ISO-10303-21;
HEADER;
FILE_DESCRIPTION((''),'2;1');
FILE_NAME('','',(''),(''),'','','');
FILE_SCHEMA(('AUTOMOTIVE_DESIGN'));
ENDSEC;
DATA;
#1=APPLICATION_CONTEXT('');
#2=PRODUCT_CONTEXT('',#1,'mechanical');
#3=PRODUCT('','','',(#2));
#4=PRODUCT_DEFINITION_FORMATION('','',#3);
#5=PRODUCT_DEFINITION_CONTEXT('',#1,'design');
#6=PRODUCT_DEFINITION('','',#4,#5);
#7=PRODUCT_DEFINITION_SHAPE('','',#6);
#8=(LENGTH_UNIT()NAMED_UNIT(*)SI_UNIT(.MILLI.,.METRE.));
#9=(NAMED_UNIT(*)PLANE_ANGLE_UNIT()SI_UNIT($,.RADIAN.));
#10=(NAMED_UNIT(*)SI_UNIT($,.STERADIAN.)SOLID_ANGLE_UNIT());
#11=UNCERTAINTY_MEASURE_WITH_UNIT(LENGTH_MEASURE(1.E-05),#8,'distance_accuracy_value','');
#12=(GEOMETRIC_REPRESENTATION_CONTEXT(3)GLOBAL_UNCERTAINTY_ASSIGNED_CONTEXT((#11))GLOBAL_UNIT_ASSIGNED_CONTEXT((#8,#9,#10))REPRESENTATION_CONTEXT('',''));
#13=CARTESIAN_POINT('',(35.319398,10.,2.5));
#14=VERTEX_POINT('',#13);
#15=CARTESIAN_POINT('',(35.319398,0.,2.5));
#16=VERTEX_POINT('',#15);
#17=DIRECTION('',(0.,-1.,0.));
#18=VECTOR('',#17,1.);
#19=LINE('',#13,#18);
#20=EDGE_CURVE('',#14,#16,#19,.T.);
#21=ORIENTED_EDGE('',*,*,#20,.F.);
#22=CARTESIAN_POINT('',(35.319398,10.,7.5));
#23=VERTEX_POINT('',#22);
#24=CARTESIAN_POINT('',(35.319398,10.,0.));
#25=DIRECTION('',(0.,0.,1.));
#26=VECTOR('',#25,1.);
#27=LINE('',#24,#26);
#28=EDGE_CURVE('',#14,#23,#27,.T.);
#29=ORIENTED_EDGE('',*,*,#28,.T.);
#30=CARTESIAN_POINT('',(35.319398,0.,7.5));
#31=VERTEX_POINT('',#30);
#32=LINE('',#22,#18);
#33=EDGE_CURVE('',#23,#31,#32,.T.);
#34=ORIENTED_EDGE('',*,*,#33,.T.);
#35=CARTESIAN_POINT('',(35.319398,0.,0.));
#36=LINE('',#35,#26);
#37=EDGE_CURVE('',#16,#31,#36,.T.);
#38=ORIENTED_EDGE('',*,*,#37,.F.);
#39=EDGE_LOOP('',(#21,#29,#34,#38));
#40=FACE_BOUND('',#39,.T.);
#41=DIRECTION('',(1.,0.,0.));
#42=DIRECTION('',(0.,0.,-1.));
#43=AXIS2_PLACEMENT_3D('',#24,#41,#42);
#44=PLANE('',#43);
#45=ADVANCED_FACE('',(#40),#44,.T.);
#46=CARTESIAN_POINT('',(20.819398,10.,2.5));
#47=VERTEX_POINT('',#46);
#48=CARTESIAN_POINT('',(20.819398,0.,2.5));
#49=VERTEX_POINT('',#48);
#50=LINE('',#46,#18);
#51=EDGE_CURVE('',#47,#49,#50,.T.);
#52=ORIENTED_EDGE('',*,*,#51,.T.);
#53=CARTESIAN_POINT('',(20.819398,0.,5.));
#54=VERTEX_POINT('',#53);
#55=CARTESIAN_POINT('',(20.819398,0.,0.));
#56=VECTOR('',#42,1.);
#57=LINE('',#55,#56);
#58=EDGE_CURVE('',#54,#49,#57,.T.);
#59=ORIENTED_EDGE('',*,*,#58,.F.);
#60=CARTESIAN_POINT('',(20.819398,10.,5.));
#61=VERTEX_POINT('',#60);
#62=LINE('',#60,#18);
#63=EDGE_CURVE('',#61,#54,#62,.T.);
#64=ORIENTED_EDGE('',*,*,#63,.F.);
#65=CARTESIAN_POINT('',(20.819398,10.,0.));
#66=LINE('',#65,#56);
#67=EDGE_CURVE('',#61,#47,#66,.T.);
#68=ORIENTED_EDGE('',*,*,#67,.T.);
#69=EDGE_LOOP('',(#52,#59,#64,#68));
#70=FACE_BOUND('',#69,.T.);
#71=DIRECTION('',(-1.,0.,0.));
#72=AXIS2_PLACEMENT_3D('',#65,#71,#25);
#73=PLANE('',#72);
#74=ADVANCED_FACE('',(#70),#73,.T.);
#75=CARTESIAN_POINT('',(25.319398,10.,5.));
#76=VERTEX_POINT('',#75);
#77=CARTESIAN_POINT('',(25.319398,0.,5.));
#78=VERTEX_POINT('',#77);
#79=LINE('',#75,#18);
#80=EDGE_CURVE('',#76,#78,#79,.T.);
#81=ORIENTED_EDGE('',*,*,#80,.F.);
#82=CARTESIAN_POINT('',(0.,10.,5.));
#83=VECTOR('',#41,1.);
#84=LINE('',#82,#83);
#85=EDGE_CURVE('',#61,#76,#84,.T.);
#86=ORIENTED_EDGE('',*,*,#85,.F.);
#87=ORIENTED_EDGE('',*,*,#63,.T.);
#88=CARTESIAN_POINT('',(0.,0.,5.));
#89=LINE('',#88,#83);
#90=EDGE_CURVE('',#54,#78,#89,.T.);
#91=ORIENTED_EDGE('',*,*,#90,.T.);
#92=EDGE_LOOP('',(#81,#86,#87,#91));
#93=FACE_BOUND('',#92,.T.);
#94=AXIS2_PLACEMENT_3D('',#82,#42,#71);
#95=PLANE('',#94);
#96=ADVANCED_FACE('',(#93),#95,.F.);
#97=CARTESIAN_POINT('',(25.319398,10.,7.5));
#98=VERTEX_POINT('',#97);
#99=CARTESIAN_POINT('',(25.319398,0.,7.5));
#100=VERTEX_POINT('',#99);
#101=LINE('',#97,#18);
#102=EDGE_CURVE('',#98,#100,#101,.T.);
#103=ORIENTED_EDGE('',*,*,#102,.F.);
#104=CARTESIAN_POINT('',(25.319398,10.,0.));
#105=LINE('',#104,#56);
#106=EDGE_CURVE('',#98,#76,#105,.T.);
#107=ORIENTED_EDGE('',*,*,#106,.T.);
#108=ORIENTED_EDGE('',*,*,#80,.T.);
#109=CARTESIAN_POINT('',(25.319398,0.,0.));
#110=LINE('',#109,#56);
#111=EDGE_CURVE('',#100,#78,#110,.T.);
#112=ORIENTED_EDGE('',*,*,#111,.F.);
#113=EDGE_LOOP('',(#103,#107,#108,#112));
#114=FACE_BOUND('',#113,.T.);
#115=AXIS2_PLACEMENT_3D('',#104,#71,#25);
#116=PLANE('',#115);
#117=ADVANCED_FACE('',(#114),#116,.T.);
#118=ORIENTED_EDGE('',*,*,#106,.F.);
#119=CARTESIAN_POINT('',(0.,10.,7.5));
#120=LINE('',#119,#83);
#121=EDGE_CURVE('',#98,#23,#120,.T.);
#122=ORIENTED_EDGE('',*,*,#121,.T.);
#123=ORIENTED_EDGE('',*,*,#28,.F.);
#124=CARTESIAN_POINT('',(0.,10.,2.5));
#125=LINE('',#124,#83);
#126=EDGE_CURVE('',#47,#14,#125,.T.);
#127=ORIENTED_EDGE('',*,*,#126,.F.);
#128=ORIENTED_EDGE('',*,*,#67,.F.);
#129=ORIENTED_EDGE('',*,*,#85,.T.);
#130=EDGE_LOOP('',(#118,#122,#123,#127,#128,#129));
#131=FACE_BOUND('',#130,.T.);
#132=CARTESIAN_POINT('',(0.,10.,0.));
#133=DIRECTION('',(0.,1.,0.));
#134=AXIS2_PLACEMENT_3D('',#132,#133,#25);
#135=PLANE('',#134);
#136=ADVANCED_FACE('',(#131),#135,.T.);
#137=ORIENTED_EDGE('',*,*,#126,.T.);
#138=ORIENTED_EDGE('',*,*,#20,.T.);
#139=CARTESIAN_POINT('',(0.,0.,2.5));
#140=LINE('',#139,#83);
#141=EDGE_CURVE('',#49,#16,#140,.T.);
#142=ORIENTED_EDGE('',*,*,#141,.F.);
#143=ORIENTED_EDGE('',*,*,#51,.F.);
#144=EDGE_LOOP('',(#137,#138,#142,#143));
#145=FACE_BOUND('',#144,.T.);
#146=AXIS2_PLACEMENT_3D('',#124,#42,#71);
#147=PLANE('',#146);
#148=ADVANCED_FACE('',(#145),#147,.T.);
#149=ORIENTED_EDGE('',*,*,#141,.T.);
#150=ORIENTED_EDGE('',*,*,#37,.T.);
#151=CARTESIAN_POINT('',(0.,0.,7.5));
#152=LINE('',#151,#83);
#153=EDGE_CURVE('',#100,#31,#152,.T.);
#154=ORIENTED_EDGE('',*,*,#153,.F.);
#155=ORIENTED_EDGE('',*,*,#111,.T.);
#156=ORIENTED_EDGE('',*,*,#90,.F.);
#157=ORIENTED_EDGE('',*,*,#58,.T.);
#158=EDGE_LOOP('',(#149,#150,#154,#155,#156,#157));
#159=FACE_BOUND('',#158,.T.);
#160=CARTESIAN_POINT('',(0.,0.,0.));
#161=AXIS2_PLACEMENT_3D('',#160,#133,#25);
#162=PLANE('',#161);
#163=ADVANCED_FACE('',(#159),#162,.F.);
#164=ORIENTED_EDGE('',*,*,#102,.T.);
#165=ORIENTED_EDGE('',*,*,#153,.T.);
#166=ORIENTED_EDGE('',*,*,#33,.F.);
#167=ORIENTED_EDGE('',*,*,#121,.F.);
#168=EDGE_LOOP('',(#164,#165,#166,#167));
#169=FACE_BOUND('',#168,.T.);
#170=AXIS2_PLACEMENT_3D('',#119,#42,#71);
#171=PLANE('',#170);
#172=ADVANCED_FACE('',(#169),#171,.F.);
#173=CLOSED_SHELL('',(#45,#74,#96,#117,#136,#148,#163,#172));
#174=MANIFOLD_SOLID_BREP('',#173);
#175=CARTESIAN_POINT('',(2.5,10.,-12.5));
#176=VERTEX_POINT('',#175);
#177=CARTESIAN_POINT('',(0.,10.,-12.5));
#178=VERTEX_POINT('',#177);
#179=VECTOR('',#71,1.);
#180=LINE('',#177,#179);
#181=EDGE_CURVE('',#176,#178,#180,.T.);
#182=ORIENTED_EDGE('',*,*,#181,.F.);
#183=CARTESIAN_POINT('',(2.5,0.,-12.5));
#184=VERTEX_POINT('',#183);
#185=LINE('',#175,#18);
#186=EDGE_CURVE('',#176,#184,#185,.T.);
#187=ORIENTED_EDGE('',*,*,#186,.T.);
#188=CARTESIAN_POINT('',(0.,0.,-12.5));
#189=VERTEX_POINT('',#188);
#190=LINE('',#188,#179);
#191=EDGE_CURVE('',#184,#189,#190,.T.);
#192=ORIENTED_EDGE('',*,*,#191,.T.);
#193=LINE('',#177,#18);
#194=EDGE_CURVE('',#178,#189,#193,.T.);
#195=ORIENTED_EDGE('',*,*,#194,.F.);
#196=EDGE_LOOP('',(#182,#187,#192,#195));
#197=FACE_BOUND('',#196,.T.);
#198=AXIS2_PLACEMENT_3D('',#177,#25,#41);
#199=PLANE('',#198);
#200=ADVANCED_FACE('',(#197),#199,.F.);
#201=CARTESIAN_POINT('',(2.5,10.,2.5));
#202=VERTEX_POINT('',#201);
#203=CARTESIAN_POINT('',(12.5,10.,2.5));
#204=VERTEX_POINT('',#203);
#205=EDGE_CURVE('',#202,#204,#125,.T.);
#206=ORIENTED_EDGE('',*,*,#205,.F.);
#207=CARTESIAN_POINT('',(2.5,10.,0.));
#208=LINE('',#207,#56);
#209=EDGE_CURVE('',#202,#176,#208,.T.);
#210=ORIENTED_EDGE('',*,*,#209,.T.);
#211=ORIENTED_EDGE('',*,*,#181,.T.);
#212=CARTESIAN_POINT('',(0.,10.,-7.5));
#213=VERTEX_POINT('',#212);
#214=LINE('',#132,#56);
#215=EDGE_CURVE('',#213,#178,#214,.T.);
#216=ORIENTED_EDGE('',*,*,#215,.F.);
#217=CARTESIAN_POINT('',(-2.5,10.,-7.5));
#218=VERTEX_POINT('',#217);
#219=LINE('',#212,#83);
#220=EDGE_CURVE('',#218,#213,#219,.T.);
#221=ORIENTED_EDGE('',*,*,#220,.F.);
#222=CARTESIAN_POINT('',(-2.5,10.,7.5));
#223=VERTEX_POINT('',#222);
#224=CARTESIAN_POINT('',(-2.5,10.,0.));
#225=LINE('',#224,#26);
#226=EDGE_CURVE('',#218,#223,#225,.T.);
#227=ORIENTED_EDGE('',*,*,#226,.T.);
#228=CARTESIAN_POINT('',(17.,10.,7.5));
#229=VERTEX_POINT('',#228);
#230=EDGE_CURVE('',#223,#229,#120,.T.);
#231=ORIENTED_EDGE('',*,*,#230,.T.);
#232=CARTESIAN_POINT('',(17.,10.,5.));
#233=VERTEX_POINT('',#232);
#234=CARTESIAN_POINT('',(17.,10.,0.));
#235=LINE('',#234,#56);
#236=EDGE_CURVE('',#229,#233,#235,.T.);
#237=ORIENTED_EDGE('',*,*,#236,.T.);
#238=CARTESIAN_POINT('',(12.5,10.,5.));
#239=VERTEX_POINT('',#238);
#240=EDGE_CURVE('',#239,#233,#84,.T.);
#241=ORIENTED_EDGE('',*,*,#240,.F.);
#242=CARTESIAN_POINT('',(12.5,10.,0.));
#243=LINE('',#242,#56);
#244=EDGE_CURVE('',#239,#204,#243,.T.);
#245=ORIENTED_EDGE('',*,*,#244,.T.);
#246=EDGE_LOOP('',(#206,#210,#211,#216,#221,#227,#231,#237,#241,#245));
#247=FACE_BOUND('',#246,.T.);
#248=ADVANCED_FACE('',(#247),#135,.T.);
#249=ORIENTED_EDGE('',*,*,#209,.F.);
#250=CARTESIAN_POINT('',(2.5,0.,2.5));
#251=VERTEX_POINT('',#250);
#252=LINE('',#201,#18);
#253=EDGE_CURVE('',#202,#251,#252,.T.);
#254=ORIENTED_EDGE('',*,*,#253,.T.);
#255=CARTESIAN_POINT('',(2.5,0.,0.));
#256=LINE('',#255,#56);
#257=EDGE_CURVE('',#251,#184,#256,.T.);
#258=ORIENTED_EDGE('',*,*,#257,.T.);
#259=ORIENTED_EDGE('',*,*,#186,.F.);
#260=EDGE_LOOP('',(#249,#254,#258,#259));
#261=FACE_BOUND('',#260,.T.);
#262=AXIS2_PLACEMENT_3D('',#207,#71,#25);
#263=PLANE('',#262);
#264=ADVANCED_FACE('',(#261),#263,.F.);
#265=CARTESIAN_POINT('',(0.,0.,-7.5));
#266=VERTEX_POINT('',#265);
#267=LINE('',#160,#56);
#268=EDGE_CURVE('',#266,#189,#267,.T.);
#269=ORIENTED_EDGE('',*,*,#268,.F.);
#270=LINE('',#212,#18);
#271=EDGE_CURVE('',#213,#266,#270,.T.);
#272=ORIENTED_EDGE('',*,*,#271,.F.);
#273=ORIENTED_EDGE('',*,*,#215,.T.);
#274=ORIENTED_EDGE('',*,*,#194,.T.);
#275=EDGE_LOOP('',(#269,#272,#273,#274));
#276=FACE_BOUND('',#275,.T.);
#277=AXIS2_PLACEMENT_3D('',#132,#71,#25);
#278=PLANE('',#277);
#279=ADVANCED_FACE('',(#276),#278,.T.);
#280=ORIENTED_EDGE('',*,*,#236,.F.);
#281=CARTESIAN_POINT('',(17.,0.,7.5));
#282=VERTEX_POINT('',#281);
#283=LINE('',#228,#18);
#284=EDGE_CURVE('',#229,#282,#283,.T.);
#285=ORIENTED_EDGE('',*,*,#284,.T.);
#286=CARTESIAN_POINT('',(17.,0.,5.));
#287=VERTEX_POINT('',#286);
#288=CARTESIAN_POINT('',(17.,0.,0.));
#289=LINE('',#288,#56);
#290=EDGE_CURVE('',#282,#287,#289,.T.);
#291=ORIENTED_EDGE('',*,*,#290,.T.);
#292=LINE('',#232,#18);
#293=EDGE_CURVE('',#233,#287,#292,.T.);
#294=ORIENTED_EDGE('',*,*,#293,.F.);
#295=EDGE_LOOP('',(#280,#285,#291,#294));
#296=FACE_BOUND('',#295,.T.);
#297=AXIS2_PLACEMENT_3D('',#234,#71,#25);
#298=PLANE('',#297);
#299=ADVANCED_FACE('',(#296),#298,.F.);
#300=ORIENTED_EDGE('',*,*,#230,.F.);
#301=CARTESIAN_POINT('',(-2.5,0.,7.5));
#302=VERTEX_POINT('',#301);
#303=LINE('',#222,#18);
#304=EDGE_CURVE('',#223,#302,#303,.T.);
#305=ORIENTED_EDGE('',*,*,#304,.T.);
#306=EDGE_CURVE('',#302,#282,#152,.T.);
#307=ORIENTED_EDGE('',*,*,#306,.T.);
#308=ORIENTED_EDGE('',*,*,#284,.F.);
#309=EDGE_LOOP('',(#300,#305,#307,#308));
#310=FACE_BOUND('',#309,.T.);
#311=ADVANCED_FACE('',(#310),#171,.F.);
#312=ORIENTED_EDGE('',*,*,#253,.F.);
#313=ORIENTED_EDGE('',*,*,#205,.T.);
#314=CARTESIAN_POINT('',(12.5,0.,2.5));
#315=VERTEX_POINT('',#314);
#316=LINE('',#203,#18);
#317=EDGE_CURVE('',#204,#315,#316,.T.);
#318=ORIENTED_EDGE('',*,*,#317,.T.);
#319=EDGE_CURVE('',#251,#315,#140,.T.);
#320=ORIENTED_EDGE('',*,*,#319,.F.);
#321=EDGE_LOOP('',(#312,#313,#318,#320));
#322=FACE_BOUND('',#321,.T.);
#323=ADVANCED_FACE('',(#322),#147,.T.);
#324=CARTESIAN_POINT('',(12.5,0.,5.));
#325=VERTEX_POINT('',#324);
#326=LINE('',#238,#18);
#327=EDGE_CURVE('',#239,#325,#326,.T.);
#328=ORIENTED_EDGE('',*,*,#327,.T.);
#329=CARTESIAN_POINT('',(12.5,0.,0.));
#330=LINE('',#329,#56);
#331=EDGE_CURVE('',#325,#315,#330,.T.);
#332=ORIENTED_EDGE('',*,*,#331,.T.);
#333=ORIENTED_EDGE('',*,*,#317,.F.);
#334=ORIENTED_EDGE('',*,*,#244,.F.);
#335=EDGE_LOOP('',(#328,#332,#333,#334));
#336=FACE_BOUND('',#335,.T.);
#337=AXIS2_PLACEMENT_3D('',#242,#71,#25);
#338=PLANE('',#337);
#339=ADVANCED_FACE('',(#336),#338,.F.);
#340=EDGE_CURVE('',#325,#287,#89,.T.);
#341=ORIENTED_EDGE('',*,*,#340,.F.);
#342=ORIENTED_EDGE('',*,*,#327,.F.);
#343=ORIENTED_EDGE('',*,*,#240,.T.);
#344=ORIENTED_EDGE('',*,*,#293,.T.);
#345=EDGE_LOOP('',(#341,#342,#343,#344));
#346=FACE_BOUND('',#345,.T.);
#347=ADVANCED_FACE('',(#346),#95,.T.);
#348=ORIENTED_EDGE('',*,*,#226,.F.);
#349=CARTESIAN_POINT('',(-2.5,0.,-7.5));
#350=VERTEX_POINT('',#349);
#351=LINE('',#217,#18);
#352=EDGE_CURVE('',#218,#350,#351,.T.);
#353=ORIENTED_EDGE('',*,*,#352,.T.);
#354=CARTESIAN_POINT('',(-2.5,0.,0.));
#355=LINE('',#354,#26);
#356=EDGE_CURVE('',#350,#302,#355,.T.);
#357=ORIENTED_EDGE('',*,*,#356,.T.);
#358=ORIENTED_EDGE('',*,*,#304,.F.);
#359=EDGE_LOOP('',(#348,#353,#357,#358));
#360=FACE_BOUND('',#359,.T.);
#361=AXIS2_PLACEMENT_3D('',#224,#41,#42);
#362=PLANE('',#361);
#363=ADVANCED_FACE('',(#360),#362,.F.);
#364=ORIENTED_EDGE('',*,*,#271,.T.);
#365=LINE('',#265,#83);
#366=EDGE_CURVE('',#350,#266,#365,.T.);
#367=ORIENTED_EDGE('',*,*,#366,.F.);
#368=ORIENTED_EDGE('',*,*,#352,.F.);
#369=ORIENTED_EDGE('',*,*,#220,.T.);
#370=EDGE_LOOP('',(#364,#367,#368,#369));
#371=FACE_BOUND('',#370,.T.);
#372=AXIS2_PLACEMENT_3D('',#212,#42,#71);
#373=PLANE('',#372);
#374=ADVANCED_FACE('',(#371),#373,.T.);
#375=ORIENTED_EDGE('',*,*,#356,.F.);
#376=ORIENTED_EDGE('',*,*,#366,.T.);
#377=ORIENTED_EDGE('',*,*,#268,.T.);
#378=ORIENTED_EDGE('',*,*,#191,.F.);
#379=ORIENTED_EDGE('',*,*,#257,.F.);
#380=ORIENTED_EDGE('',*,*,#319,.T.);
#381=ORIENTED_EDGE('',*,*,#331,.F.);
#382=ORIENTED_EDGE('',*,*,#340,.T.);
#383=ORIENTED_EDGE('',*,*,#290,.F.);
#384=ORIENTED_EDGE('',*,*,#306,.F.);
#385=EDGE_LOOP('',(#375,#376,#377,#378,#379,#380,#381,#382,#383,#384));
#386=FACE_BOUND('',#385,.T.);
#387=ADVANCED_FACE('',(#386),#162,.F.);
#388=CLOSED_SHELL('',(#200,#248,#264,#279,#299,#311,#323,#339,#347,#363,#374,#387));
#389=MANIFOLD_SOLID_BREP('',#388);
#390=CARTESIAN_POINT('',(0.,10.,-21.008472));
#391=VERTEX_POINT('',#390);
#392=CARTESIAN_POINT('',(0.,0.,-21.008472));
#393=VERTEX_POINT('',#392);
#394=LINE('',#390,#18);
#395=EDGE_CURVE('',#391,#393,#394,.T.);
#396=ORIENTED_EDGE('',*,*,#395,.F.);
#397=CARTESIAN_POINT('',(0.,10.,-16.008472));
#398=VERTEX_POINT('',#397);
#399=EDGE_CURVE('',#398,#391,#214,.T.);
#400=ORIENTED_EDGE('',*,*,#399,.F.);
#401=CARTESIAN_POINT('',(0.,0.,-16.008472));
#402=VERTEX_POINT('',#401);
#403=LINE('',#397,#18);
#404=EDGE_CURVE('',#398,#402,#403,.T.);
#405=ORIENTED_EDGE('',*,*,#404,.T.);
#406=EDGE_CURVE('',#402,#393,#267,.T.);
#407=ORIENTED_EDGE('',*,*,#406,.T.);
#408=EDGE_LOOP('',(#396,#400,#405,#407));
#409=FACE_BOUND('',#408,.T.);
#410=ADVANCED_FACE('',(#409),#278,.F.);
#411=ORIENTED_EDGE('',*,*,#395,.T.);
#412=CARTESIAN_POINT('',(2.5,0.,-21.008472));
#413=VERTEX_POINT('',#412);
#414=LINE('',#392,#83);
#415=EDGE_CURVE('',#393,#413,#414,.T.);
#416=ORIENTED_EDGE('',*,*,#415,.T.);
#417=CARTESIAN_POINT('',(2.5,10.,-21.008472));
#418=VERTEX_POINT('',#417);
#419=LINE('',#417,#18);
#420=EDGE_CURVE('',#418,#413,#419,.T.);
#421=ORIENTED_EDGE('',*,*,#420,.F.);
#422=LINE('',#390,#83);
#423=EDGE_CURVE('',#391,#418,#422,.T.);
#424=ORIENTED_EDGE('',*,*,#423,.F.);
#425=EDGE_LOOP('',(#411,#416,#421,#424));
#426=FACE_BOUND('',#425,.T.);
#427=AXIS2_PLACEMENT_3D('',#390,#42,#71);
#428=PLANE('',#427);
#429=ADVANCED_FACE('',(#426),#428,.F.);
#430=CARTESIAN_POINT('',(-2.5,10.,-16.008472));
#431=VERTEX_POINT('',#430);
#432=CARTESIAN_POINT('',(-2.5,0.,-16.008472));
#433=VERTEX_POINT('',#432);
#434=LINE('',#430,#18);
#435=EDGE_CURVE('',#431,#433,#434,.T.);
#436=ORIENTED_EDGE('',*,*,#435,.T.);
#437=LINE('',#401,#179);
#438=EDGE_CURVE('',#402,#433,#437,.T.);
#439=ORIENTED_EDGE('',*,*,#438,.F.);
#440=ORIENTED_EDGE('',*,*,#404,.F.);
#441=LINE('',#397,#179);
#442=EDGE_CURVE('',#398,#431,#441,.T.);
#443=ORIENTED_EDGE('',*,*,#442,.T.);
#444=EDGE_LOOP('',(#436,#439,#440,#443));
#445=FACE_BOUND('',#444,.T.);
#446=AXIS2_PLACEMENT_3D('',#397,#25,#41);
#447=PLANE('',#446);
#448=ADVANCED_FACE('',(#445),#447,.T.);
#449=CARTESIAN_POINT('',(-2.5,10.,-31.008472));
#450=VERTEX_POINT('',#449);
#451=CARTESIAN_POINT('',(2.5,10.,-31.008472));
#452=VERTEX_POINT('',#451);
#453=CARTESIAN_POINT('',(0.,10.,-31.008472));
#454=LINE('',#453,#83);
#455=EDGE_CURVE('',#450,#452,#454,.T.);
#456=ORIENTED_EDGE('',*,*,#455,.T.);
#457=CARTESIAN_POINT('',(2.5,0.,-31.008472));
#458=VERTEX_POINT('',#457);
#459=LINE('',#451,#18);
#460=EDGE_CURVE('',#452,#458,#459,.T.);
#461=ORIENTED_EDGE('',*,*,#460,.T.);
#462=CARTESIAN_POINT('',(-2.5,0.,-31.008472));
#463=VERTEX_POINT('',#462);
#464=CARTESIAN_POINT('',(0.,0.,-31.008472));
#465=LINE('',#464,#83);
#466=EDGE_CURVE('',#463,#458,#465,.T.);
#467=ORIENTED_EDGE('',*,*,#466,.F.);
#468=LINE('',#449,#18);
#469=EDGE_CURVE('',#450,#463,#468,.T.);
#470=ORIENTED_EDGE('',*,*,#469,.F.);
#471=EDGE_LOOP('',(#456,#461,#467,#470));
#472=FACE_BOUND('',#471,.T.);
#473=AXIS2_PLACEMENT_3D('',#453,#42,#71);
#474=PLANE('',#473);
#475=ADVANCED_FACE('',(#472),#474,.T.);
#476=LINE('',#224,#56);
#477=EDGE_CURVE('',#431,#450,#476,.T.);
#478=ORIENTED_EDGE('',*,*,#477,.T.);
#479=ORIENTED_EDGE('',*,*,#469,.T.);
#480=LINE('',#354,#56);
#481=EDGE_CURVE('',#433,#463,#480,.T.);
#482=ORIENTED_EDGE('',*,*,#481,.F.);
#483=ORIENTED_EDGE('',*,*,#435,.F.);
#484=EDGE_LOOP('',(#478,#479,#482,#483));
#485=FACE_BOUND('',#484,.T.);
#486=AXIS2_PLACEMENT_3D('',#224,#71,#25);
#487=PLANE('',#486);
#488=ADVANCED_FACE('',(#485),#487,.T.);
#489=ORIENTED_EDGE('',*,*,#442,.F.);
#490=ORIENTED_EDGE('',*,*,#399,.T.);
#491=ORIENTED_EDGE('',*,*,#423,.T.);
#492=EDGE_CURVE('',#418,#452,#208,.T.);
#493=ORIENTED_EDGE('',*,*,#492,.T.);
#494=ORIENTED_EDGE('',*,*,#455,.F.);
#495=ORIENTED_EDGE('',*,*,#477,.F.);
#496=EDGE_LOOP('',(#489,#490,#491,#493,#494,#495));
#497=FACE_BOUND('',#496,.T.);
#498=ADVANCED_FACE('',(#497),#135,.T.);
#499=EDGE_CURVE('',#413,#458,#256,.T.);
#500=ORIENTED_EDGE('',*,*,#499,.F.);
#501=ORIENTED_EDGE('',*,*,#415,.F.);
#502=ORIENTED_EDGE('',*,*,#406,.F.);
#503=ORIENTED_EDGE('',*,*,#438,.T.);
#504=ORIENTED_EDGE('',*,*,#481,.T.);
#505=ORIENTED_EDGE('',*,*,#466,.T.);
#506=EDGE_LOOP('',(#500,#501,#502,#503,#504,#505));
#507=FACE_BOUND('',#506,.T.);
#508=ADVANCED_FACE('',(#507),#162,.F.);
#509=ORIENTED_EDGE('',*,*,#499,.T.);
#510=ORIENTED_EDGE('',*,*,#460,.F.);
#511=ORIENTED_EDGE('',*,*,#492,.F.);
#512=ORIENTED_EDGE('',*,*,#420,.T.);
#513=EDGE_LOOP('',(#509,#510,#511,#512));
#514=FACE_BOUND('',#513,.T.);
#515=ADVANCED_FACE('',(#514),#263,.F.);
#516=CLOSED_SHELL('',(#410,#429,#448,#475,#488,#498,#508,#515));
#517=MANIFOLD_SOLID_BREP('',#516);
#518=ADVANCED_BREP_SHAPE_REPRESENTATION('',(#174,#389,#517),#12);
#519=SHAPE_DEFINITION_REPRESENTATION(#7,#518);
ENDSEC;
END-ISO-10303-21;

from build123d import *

# Parameters (mm, degrees)
SKETCH1_W           = 2.5
SKETCH1_H           = 5
SKETCH1_W_2         = 5
SKETCH1_H_2         = 15
SKETCH1_W_3         = 4.5
SKETCH1_H_3         = 2.5
BOSS_EXTRUDE2_DEPTH = 10


with BuildPart() as part:
    # Sketch1 → Boss-Extrude2 (new body)
    with BuildSketch(Plane(origin=(0, 0, 0), x_dir=(1, 0, 0), z_dir=(0, 1, 0))):
        Polygon((-2.5, 21.008471614), (0, 21.008471614), (2.5, 21.008471614), (2.5, 31.008471614), (-2.5, 31.008471614), align=None)
        with Locations((-1.25, 18.508471614)):
            Rectangle(SKETCH1_W, SKETCH1_H)
        with Locations((1.25, 10)):
            Rectangle(SKETCH1_W, SKETCH1_H)
        Rectangle(SKETCH1_W_2, SKETCH1_H_2)
        Polygon((2.5, -2.5), (2.5, -7.5), (12.5, -7.5), (12.5, -5), (12.5, -2.5), align=None)
        with Locations((14.75, -6.25)):
            Rectangle(SKETCH1_W_3, SKETCH1_H_3)
        with Locations((23.069397854, -3.75)):
            Rectangle(SKETCH1_W_3, SKETCH1_H_3)
        Polygon((25.319397854, -2.5), (25.319397854, -5), (25.319397854, -7.5), (35.319397854, -7.5), (35.319397854, -2.5), align=None)
    extrude(amount=BOSS_EXTRUDE2_DEPTH)


solid = part.part
